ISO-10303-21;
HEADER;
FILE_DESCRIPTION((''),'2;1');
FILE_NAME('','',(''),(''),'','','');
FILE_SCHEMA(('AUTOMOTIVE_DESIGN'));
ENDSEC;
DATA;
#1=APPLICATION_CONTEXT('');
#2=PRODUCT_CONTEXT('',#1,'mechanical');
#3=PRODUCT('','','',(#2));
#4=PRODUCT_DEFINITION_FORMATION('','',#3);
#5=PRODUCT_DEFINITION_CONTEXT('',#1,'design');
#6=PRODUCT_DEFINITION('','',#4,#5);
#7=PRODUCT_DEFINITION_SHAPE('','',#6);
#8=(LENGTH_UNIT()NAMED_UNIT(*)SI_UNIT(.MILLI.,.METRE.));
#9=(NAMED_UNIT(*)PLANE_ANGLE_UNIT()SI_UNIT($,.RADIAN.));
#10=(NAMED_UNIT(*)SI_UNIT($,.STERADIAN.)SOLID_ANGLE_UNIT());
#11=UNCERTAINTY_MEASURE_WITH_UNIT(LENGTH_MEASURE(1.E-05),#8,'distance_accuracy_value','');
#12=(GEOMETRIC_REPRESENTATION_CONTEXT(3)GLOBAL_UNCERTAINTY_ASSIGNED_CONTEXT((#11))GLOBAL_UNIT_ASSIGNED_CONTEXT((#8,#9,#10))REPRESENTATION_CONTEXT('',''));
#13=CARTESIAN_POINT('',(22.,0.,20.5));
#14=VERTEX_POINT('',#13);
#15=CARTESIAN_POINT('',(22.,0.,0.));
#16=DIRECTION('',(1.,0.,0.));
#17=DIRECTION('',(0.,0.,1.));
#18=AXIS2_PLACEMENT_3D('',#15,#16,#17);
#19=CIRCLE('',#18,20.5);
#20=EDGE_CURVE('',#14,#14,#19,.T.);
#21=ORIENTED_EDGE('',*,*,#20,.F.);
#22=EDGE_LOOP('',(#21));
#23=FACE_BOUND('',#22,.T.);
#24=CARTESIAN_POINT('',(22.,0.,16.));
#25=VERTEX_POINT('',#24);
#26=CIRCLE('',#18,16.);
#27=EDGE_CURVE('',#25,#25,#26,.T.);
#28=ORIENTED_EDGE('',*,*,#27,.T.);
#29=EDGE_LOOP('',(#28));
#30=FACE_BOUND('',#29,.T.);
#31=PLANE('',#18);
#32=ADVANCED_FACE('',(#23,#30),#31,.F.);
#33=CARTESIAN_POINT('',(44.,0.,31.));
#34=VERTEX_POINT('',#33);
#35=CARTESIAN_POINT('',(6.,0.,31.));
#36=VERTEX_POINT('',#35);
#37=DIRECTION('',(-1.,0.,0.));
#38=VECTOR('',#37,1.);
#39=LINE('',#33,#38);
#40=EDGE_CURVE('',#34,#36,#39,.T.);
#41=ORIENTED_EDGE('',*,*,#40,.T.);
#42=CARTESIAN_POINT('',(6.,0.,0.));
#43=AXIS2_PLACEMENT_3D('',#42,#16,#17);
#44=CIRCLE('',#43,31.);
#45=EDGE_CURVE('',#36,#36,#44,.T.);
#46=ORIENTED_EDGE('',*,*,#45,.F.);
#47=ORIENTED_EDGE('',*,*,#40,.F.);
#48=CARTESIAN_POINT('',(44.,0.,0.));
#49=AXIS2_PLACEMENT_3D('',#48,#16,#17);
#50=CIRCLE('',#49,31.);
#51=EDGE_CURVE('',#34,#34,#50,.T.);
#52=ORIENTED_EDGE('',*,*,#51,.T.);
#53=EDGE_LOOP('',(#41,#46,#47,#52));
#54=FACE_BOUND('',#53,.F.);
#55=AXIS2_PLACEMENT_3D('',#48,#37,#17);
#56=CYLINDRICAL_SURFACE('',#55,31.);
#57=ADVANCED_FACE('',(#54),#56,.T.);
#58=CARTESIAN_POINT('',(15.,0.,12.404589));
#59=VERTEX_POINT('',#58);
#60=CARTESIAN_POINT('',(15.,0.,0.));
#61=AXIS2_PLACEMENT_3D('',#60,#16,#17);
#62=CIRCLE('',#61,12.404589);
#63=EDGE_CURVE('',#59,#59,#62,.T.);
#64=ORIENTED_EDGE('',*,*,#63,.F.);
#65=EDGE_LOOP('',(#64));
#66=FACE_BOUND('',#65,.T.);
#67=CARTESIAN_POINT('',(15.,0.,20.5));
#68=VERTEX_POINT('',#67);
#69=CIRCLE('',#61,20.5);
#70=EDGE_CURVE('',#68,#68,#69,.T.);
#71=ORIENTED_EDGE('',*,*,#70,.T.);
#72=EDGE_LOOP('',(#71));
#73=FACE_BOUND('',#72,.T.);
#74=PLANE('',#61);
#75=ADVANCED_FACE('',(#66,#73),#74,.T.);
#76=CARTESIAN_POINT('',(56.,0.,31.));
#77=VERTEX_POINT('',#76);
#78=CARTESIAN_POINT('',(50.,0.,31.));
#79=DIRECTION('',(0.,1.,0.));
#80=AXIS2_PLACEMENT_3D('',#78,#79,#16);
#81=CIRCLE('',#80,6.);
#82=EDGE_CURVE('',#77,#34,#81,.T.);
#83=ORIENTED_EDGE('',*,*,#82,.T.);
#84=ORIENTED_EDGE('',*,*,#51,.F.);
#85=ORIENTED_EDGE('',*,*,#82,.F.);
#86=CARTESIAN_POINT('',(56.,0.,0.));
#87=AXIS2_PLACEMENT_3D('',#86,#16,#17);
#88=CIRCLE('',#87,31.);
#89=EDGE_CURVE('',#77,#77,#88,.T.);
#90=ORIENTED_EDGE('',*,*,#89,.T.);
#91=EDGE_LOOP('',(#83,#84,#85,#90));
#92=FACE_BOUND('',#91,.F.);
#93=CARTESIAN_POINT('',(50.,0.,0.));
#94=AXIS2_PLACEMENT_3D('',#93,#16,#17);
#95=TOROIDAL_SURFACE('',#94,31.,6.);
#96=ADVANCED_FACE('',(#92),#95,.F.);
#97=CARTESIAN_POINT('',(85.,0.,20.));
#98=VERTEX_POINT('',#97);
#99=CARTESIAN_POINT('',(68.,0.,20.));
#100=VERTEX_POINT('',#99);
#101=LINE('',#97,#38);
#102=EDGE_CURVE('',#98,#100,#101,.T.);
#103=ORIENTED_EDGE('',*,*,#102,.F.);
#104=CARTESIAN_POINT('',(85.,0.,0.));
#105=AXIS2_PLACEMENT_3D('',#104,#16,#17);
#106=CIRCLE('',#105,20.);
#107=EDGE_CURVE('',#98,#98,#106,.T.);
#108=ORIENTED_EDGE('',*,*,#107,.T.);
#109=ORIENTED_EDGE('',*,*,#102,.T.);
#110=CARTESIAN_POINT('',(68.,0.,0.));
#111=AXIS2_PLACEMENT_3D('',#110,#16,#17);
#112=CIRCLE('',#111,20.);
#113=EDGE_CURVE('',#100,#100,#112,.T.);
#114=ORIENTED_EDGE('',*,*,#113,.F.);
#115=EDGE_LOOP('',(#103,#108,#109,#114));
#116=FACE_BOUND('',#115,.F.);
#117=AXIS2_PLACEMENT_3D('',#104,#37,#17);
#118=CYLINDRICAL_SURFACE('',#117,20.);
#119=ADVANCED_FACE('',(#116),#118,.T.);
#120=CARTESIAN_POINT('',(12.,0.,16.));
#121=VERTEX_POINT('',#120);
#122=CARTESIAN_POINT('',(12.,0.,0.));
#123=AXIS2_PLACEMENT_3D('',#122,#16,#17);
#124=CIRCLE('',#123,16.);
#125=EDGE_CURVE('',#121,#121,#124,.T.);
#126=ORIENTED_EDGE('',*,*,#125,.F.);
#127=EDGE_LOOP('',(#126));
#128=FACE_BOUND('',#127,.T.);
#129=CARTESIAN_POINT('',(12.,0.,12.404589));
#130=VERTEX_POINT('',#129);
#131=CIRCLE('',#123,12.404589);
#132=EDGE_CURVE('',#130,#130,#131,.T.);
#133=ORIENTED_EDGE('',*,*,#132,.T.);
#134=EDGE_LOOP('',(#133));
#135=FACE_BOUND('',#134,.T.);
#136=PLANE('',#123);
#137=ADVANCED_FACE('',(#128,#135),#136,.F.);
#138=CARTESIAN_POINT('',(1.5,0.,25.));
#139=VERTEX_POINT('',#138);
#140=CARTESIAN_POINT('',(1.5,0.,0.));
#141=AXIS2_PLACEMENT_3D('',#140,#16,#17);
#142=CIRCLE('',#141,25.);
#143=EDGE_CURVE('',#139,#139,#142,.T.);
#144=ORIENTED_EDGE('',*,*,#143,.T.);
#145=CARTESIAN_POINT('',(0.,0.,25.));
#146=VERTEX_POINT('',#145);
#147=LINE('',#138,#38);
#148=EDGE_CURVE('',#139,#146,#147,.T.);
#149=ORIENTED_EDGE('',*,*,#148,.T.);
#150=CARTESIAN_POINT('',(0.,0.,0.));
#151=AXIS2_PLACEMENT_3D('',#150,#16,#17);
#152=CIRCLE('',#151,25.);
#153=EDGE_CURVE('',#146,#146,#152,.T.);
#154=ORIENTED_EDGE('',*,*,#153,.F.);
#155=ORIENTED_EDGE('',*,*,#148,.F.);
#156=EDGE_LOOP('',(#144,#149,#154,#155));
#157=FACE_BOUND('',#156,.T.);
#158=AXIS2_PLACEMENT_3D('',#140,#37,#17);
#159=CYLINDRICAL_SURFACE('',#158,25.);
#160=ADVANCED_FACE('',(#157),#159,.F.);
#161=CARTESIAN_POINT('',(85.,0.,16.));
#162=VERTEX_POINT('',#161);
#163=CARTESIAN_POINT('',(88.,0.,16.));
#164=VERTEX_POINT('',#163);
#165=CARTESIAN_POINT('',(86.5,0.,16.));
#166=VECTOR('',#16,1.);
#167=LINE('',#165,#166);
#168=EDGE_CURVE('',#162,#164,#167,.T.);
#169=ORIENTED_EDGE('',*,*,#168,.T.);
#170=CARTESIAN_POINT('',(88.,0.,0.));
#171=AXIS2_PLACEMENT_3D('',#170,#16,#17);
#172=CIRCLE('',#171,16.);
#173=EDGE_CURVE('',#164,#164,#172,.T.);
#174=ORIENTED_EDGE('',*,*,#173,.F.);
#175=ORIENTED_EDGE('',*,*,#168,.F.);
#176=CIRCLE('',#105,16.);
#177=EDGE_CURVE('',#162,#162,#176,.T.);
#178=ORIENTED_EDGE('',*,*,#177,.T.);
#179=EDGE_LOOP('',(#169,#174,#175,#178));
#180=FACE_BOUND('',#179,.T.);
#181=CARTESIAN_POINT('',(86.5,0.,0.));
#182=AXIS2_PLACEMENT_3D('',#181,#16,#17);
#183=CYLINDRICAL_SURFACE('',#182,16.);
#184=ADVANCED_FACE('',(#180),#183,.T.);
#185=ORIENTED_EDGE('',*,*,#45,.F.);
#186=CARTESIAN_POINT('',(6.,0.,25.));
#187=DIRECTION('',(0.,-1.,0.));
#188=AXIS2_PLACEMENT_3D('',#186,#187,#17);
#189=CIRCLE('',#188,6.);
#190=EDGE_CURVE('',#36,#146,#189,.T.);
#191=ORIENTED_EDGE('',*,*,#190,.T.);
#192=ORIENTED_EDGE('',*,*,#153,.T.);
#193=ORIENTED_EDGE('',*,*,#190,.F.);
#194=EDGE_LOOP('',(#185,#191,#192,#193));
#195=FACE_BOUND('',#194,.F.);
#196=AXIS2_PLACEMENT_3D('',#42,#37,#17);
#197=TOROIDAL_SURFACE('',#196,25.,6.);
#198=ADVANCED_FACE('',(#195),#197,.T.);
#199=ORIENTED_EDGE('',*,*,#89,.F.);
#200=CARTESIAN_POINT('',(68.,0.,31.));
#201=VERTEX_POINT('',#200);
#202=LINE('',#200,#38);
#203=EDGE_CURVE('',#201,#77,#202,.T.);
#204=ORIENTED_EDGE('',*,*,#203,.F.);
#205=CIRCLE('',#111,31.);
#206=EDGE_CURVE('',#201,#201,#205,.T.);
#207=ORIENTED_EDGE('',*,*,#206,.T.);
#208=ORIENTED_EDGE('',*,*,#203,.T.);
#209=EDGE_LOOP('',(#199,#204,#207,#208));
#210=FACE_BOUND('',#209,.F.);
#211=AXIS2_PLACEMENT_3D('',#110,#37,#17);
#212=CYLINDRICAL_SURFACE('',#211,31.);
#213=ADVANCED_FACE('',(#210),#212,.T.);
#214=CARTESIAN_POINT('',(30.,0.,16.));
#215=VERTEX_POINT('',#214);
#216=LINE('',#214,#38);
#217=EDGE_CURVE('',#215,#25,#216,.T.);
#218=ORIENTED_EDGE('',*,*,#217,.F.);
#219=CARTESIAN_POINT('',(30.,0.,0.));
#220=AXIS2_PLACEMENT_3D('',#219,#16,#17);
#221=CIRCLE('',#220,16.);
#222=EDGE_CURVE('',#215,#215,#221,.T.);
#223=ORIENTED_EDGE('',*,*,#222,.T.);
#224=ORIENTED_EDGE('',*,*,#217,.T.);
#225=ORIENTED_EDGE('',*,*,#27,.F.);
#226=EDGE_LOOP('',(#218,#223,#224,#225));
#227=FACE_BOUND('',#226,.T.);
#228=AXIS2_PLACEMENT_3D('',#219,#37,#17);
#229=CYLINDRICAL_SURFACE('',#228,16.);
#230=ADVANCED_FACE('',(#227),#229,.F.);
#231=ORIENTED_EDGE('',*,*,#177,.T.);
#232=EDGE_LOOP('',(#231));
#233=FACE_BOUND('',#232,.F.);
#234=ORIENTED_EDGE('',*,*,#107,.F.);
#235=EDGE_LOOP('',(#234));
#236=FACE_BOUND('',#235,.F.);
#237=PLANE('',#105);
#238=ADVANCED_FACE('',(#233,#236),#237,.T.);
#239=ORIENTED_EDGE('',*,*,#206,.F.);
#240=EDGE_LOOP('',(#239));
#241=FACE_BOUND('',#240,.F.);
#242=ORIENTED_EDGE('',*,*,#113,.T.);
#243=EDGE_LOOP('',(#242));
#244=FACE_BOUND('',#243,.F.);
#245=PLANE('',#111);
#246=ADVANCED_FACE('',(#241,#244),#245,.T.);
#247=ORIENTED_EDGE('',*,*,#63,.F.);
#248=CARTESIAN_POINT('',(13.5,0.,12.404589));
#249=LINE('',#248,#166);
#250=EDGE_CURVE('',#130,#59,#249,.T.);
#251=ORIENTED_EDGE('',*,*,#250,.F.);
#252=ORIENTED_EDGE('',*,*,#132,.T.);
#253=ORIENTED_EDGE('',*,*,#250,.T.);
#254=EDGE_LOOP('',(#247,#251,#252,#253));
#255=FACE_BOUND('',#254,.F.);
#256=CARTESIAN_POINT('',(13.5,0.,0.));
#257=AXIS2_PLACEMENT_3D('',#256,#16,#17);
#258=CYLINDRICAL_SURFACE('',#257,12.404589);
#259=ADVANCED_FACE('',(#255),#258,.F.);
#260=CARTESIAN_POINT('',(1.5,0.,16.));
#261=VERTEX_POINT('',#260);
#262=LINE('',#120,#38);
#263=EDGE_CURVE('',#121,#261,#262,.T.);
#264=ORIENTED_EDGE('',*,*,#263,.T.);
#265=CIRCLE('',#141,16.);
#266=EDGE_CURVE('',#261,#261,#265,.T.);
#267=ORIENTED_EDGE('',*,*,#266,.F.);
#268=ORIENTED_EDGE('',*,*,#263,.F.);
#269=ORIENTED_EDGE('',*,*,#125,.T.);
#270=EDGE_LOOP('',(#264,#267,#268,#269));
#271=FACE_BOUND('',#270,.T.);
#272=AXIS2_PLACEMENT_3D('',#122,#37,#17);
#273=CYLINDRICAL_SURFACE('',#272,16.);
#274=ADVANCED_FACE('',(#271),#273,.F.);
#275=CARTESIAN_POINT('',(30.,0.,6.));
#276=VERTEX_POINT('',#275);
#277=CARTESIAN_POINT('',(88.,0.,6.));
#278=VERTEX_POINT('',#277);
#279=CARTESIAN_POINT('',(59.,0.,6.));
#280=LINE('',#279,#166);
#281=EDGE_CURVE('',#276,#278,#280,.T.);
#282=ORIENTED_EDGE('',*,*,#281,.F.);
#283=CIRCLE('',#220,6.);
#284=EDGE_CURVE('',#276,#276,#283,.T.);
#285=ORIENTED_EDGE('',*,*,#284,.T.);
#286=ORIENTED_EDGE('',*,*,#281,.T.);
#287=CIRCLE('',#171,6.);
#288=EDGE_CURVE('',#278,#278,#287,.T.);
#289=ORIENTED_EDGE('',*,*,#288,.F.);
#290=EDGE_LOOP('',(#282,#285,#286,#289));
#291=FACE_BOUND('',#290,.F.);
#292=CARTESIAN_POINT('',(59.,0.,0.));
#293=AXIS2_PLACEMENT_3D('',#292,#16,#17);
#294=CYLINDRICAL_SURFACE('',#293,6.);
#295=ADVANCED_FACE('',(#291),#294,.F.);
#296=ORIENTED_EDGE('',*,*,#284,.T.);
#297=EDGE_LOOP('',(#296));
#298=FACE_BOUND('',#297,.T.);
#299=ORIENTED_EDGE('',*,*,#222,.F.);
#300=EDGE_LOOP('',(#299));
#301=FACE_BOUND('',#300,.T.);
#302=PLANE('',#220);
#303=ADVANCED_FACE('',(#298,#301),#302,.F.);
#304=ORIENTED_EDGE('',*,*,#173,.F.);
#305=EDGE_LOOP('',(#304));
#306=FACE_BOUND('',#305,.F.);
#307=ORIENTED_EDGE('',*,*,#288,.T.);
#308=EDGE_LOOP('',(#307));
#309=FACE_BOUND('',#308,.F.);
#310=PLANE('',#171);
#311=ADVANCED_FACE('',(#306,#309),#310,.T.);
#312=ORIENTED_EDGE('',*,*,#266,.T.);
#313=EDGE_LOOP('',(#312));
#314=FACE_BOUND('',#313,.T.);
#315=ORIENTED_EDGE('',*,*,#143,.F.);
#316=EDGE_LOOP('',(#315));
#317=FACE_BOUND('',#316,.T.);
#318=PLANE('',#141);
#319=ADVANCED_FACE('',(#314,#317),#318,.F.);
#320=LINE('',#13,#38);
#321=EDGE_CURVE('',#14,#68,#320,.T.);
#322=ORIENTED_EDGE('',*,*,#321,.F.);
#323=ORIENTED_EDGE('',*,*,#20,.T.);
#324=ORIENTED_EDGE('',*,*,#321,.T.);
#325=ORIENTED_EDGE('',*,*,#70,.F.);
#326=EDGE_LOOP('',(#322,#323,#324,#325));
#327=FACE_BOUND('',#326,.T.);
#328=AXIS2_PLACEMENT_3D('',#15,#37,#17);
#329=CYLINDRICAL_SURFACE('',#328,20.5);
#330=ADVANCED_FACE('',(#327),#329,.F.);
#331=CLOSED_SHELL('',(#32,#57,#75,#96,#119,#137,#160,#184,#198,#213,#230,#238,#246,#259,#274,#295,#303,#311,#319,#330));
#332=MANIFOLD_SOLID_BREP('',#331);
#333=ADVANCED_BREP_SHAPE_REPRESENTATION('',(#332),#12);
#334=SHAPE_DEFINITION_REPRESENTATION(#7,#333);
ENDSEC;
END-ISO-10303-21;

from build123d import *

# Parameters (mm, degrees)
F0_W   = 3
F0_H   = 16
F2_W   = 3
F2_H   = 12.4045886115
F2_W_2 = 58
F2_H_2 = 6


with BuildPart() as f1:
    # F0 (on Front) → F1 (revolve)
    with BuildSketch(Plane.XZ):
        with BuildLine():
            Line((0, 25), (0, 0))
            Line((0, 0), (44, 0))
            Line((44, 0), (44, 31))
            Line((44, 31), (6, 31))
            ThreePointArc((6, 31), (1.7573593129, 29.2426406871), (0, 25))
        make_face()
        with BuildLine():
            Line((44, 31), (44, 0))
            Line((44, 0), (56, 0))
            Line((56, 0), (56, 31))
            ThreePointArc((56, 31), (50, 25), (44, 31))
        make_face()
        Polygon((56, 31), (56, 0), (68, 0), (68, 20), (68, 31), align=None)
        Polygon((68, 20), (68, 0), (85, 0), (85, 16), (85, 20), align=None)
        with Locations((86.5, 8)):
            Rectangle(F0_W, F0_H)
    revolve(axis=Axis((44, 0, 0), (1, 0, 0)))

    # F2 (on Front) → F3 (revolve, cut)
    with BuildSketch(Plane.XZ):
        Polygon((0, 25), (0, 0), (1.5, 0), (1.5, 16), (1.5, 25), align=None)
        Polygon((1.5, 16), (1.5, 0), (12, 0), (12, 12.4045886115), (12, 16), align=None)
        with Locations((13.5, 6.2022943057)):
            Rectangle(F2_W, F2_H)
        Polygon((15, 12.4045886115), (15, 0), (22, 0), (22, 16), (22, 20.5), (15, 20.5), align=None)
        Polygon((22, 16), (22, 0), (30, 0), (30, 6), (30, 16), align=None)
        with Locations((59, 3)):
            Rectangle(F2_W_2, F2_H_2)
    revolve(axis=Axis((44, 0, 0), (1, 0, 0)), mode=Mode.SUBTRACT)


solid = f1.part
